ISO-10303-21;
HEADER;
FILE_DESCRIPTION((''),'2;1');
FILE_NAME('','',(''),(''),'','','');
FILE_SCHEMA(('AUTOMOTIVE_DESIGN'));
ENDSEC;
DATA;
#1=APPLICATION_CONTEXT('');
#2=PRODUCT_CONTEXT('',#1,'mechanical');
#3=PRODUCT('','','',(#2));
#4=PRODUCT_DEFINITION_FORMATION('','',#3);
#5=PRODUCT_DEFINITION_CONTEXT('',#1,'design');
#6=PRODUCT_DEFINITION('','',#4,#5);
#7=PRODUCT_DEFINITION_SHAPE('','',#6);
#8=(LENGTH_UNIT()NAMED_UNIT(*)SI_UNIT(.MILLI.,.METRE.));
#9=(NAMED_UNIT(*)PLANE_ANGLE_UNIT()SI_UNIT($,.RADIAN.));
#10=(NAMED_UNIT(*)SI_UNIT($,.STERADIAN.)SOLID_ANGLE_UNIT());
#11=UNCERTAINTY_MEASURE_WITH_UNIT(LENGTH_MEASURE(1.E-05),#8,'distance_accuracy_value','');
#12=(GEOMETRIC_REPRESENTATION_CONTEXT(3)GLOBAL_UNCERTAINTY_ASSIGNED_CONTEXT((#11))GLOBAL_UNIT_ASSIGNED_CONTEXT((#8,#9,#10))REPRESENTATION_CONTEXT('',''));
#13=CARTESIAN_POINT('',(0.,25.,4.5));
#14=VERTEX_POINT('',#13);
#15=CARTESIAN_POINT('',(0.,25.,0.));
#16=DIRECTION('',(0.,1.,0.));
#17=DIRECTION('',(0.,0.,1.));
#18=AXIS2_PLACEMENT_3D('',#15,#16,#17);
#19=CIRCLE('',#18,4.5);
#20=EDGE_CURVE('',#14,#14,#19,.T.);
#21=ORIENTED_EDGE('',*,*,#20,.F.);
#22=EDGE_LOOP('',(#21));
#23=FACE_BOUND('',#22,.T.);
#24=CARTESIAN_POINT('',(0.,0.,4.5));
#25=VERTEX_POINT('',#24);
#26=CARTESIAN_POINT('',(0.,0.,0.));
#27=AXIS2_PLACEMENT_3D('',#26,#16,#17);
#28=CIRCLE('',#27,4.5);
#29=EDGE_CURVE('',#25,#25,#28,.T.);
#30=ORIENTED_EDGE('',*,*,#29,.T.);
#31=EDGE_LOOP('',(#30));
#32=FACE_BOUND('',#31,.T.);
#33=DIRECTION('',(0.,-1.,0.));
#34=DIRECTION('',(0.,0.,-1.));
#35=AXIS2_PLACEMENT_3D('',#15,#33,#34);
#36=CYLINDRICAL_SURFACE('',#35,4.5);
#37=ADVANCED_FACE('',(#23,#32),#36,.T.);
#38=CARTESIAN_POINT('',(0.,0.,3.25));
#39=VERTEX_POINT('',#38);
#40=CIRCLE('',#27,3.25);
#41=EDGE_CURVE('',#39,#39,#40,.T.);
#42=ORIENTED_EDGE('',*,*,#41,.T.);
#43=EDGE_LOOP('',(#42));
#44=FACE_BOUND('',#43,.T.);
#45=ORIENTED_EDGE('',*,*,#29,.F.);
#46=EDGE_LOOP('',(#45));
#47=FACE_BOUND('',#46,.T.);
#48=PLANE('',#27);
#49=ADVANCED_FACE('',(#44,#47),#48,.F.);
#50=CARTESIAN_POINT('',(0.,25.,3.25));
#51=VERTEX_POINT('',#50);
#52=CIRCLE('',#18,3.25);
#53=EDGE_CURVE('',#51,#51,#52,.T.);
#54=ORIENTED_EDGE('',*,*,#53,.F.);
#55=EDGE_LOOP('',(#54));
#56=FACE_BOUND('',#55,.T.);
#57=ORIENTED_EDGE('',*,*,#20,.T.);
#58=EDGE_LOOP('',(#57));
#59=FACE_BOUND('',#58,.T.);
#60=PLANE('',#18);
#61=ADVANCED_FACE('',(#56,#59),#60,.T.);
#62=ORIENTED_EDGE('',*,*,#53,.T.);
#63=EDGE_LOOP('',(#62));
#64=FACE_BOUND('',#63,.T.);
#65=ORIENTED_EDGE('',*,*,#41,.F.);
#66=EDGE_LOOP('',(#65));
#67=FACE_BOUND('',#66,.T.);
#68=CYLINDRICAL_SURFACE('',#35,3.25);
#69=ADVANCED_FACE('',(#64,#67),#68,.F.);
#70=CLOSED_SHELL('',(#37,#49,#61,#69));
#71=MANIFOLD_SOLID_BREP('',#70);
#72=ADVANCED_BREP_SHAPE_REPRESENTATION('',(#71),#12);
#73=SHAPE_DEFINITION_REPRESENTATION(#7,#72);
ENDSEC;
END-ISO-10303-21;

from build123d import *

# Parameters (mm, degrees)
SKETCH_1_R      = 4.5
SKETCH_1_R_2    = 3.25
EXTRUDE_1_DEPTH = 25


with BuildPart() as part:
    # 草圖1 → 填料-伸長1 (new body)
    with BuildSketch(Plane(origin=(0, 0, 0), x_dir=(1, 0, 0), z_dir=(0, 1, 0))):
        with Locations(Location((0, 0, 0), (0, 0, 270))):
            Circle(SKETCH_1_R)
        with Locations(Location((0, 0, 0), (0, 0, 270))):
            Circle(SKETCH_1_R_2, mode=Mode.SUBTRACT)
    extrude(amount=EXTRUDE_1_DEPTH)


solid = part.part
